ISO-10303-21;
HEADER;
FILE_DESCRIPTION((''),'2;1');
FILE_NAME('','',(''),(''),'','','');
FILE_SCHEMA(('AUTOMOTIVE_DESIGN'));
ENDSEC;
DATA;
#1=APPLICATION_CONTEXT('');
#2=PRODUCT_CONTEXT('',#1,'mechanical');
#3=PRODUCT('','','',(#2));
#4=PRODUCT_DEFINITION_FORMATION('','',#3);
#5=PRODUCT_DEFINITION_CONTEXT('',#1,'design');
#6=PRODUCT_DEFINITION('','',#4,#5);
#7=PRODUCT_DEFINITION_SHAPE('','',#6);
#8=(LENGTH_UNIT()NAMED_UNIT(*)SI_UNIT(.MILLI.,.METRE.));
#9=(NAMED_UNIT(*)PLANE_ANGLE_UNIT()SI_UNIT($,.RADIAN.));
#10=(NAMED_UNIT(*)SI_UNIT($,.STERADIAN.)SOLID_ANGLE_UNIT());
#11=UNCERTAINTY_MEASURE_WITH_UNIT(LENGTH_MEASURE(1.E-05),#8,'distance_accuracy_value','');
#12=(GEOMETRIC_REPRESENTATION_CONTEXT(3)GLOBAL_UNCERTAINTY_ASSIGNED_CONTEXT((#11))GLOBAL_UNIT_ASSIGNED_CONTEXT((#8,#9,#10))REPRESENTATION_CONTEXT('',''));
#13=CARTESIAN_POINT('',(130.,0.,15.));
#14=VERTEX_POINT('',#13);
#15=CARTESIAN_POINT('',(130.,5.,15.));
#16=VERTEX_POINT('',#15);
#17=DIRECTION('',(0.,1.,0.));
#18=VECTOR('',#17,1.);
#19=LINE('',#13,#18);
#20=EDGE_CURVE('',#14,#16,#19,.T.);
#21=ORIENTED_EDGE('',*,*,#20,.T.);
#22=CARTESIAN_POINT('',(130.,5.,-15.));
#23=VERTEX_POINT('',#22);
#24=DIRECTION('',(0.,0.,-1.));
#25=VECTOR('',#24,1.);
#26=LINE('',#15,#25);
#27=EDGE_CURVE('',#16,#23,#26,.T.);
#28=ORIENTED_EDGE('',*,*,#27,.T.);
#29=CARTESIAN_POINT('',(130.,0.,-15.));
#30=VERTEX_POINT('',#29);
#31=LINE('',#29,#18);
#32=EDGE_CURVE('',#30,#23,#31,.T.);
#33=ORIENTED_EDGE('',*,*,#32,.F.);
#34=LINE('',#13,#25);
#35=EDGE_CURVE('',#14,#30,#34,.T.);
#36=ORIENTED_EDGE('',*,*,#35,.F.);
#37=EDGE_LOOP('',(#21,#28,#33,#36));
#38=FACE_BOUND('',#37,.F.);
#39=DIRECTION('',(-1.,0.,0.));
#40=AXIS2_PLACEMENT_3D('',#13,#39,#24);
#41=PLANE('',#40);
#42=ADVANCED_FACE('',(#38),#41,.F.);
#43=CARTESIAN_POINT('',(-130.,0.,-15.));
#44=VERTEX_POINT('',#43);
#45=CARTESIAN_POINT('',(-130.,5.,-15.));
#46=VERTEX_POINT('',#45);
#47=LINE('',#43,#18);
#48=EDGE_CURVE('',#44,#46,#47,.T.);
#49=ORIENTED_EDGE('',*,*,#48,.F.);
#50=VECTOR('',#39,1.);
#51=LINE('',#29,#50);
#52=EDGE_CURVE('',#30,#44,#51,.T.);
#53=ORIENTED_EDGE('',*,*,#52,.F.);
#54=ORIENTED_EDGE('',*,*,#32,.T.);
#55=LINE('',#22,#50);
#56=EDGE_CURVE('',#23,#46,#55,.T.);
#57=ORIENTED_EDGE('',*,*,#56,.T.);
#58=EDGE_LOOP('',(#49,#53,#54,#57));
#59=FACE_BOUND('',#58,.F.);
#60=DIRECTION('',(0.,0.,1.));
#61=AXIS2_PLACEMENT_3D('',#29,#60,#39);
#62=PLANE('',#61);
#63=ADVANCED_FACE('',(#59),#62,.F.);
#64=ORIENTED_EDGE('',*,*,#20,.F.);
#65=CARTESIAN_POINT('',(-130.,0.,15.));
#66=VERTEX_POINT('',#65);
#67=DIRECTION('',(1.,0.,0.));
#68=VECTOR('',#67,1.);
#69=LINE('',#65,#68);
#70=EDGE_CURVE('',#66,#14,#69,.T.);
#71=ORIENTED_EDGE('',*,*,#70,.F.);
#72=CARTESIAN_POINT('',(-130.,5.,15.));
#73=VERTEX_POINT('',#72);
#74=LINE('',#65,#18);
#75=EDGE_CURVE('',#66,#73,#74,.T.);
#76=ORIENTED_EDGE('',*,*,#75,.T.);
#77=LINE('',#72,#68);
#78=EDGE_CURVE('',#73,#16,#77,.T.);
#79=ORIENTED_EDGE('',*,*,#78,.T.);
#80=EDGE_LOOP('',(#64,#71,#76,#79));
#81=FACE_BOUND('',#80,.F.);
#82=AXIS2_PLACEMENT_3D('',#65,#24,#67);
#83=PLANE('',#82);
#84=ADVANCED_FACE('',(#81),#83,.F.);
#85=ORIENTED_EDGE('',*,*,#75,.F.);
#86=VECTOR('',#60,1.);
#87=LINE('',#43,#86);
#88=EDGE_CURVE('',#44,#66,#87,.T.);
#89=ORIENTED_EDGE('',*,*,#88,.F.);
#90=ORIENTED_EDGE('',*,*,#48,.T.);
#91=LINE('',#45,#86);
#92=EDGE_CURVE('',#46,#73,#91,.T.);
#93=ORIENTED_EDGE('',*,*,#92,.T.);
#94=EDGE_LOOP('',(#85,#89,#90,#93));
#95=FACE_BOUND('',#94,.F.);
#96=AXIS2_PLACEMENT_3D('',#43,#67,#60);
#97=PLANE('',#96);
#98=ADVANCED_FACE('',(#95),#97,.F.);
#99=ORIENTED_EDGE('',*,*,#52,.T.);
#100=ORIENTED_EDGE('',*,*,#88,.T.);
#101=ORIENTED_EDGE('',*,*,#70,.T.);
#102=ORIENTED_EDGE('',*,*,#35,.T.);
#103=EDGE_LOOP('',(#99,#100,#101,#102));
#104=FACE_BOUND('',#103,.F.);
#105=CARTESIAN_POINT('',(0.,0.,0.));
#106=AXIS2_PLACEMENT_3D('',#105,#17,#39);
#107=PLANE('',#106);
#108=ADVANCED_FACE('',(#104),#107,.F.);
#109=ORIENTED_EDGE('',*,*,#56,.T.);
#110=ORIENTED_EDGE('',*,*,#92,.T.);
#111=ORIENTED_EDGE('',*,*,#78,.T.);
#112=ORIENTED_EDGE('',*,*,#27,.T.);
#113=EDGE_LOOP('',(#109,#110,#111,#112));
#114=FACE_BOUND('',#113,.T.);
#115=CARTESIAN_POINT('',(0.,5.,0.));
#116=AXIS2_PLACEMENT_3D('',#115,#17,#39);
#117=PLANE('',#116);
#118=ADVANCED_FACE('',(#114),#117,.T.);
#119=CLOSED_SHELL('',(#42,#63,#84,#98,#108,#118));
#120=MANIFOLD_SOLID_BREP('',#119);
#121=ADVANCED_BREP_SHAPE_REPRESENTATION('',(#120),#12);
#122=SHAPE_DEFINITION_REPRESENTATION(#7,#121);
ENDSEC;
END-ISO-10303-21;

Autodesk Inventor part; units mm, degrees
ref_plane "YZ Plane" through (0, 0, 0) normal (1, 0, 0) x (0, 1, 0)
ref_plane "XZ Plane" through (0, 0, 0) normal (0, 1, 0) x (-1, 0, 0)
ref_plane "XY Plane" through (0, 0, 0) normal (0, 0, 1) x (1, 0, 0)
sketch "Sketch1" plane through (0, 0, 0) normal (0, 1, 0) x (-1, 0, 0)
  line L0 (130, 15) -> (-130, 15)
  line L1 (-130, 15) -> (-130, -15)
  line L2 (-130, -15) -> (130, -15)
  line L3 (130, -15) -> (130, 15)
  line L4 (130, 15) -> (-130, -15) construction
  line L5 (-130, 15) -> (130, -15) construction
  point P0 (0, 0)
  dimension "d0" = 260
  dimension "d1" = 30
extrude "Extrusion1" add sketch "Sketch1" along normal blind 5
properties part number "Atap 1"
